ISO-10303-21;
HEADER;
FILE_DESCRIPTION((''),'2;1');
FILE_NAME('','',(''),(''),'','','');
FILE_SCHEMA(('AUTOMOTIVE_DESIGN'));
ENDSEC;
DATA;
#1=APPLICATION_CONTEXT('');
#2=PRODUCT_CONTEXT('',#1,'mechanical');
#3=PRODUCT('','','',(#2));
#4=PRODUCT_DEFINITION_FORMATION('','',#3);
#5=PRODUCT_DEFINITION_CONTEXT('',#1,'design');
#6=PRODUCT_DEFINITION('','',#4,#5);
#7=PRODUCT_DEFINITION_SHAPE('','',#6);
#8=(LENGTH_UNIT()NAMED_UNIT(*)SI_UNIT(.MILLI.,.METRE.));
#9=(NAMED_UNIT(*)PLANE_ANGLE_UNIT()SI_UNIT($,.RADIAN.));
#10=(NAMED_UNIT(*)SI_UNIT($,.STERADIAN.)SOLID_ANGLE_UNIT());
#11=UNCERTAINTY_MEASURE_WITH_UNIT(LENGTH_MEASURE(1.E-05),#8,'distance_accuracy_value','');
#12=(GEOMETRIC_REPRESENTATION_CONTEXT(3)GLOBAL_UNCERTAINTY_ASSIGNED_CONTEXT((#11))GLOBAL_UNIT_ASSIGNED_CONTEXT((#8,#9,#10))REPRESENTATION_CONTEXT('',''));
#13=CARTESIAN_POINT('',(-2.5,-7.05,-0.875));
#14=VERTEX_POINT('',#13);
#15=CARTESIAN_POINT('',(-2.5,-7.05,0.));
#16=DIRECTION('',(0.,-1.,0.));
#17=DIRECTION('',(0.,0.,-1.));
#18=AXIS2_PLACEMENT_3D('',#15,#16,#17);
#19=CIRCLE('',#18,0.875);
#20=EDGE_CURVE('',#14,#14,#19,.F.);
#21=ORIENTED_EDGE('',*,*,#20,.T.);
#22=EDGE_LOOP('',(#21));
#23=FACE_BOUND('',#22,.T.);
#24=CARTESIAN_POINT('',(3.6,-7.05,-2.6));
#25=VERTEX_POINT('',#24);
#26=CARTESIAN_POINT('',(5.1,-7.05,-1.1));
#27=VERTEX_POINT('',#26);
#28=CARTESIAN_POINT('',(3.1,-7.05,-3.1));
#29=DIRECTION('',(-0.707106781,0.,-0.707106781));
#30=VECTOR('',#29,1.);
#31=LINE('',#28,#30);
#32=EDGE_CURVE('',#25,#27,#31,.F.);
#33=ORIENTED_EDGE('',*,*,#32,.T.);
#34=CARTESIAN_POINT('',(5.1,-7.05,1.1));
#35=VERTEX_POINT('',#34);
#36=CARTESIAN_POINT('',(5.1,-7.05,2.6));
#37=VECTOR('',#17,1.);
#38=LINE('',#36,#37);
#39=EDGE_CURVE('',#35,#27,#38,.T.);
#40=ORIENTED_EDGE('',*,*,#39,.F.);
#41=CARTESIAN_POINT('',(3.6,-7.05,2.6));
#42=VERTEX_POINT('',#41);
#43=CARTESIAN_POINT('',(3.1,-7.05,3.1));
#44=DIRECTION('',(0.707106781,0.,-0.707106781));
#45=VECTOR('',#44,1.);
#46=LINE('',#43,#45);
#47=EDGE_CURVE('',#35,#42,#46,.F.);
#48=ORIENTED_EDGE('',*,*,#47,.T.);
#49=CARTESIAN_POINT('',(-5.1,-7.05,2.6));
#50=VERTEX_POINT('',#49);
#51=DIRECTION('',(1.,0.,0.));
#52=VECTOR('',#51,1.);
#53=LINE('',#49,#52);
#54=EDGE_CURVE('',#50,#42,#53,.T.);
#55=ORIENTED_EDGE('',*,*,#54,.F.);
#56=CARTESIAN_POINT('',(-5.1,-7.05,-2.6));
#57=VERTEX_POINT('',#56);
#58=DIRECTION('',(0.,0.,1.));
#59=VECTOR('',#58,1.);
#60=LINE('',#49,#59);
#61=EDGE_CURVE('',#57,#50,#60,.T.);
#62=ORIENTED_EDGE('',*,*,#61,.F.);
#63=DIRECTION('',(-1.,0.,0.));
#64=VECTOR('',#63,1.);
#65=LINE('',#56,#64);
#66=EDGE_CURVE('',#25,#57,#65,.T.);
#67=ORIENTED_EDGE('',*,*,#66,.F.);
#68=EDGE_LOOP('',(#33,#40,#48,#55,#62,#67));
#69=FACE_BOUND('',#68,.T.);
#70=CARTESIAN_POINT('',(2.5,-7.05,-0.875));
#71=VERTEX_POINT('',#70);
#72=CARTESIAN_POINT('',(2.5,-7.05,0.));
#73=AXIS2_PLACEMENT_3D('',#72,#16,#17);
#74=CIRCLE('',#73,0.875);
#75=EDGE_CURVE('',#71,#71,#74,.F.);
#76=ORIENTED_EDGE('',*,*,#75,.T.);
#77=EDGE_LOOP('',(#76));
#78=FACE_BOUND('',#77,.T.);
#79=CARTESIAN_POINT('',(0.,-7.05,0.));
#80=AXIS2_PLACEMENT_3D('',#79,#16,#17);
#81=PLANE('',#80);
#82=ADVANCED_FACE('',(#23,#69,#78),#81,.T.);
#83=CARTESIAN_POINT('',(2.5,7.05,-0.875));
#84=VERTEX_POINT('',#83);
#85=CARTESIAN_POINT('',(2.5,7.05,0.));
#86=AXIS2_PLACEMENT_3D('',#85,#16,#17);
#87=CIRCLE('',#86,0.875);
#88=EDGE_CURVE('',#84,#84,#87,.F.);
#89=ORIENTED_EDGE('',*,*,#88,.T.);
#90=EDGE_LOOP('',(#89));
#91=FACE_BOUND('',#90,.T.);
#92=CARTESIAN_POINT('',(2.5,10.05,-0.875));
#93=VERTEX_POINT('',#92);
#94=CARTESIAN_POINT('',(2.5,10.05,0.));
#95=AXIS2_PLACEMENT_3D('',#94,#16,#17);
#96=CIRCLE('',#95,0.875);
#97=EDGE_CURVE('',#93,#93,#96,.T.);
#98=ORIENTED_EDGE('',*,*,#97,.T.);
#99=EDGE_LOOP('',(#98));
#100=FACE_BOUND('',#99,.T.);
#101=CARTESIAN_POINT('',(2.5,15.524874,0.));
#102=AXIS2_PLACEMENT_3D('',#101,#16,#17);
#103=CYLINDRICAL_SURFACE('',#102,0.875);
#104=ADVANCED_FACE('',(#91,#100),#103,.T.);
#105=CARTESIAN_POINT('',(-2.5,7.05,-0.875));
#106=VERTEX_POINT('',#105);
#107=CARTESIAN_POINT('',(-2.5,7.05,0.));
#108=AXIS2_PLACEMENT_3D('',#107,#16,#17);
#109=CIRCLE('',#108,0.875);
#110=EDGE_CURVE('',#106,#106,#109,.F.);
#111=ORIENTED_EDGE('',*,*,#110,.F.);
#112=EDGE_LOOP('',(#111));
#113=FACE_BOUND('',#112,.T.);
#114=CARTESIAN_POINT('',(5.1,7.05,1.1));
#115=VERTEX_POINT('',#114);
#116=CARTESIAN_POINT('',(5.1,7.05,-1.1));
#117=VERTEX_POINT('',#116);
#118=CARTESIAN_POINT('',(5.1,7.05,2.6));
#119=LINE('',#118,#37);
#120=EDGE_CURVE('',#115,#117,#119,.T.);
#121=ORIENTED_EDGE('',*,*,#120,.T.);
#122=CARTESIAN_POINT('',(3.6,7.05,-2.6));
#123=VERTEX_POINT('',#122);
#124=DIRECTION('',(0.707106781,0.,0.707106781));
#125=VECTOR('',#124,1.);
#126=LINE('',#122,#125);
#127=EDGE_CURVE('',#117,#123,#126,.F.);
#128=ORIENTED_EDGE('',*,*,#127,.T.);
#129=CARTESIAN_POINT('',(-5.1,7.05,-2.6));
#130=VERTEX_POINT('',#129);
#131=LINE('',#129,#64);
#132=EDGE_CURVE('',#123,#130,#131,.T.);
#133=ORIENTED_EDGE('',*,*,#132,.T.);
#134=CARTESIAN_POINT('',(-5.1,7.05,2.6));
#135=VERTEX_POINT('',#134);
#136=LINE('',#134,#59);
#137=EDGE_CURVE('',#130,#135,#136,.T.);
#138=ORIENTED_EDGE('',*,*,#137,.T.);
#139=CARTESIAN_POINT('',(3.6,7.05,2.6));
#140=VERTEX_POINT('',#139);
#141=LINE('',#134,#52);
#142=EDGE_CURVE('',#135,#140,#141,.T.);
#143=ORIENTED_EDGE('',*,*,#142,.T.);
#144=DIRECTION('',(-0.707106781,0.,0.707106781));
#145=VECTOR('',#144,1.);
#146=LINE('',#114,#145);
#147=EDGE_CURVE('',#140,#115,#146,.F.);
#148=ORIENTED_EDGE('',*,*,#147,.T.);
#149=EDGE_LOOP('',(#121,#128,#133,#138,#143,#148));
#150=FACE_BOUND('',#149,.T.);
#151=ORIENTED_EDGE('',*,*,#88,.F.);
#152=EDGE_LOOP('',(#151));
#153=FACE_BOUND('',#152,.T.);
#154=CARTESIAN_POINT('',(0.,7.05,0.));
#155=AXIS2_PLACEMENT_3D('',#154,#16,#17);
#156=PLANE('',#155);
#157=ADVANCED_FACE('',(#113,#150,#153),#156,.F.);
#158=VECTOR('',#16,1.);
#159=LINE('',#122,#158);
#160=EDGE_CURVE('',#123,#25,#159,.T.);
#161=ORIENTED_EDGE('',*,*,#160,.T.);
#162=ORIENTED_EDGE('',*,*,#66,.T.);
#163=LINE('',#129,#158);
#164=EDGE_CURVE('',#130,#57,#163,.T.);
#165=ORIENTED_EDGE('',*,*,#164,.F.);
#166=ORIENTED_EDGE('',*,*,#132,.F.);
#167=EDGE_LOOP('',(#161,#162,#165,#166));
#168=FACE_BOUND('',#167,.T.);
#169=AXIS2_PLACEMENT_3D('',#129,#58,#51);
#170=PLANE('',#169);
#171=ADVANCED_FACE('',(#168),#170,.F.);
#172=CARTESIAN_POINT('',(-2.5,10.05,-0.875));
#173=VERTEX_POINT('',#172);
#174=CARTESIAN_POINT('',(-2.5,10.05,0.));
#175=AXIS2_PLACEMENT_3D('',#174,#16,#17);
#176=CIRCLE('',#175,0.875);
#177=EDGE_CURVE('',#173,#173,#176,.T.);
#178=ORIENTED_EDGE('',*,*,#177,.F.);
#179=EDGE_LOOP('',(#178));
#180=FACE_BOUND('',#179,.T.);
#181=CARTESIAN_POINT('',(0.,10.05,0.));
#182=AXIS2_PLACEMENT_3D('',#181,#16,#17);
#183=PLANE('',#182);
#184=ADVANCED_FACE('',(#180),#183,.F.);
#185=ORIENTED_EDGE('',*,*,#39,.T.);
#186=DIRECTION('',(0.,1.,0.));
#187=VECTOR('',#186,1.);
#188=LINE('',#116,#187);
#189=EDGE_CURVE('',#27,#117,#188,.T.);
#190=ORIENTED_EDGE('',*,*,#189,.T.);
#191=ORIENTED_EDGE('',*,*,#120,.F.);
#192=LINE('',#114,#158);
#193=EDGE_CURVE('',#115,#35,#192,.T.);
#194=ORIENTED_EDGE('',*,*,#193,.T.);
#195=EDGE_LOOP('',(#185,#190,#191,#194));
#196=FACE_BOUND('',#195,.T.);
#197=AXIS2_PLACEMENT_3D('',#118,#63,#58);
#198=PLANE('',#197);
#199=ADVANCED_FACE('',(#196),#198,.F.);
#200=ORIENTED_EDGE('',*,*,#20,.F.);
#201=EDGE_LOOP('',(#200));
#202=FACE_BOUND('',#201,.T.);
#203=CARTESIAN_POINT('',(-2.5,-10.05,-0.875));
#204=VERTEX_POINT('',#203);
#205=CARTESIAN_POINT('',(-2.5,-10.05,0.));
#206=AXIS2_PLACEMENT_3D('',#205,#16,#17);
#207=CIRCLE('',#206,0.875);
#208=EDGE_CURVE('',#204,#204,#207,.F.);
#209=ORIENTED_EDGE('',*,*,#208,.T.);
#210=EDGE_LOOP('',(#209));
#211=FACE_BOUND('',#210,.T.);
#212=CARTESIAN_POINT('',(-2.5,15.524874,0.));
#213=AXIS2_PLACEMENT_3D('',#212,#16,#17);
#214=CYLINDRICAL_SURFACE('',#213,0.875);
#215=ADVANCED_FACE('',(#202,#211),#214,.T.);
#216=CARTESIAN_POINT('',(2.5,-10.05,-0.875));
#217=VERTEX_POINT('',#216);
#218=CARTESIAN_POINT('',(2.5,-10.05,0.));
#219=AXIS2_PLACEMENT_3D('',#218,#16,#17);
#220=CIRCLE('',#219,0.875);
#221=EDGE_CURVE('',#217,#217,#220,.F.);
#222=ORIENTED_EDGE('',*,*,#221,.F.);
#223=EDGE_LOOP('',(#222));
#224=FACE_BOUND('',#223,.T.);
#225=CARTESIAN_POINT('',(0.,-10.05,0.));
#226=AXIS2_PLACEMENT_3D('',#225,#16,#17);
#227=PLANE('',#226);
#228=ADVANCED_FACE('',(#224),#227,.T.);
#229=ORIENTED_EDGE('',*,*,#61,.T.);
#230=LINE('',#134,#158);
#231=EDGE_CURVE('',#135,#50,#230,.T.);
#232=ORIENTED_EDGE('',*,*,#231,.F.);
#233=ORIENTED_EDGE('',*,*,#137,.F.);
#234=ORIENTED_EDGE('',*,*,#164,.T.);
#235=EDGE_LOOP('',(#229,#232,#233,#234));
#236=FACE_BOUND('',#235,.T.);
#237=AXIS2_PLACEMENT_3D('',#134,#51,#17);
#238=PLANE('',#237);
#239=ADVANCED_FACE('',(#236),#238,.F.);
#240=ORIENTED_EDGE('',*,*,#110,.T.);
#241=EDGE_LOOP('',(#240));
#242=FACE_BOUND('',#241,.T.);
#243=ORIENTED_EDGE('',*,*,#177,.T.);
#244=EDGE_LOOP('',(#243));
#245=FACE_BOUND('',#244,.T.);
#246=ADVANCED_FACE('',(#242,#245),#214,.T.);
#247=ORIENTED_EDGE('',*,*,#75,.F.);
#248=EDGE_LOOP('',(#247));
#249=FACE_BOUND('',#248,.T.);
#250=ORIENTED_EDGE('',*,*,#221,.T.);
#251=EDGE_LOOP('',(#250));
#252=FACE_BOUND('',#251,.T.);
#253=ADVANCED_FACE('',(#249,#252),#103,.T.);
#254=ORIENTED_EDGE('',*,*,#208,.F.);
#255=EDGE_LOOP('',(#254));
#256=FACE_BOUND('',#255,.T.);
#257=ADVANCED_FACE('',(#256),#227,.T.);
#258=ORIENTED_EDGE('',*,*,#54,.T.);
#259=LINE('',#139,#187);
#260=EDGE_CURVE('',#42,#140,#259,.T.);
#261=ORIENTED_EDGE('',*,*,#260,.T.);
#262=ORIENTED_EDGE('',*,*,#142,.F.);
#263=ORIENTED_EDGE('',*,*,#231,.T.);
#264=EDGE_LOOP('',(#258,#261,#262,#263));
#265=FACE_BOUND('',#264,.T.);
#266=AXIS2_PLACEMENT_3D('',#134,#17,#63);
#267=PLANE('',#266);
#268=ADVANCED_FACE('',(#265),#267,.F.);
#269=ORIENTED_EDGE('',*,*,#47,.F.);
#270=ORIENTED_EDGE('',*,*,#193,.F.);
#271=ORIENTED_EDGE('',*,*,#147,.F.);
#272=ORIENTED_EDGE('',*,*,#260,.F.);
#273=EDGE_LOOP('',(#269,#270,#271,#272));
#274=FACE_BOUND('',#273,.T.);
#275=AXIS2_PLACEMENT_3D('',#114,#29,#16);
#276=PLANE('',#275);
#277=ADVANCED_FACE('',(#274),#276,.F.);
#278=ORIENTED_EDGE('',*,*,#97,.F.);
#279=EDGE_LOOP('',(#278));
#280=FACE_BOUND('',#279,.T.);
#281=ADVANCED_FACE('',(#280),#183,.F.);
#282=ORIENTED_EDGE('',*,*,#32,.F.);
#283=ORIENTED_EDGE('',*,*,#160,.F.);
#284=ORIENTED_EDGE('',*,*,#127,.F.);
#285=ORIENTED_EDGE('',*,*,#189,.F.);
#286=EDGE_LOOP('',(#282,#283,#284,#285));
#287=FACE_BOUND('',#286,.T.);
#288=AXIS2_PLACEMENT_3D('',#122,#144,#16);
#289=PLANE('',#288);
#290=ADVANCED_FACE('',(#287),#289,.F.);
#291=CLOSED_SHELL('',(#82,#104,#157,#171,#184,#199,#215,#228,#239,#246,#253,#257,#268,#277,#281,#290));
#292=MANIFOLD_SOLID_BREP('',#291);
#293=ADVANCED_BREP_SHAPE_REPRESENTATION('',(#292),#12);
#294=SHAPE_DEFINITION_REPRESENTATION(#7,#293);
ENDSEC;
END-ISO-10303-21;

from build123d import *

# Parameters (mm, degrees)
SKETCH1_W                = 10.2
SKETCH1_H                = 5.2
BOSS_EXTRUDE1_DEPTH      = 7.05
CHAMFER1_SIZE            = 1.5
BOSS_EXTRUDE2_DEPTH      = 10.05
BOSS_EXTRUDE2_DEPTH_BACK = 10.05
SKETCH2_R                = 0.875


with BuildPart() as part:
    # Sketch1 → Boss-Extrude1 (new, symmetric)
    with BuildSketch(Plane(origin=(0, 0, 0), x_dir=(1, 0, 0), z_dir=(0, 1, 0))):
        Rectangle(SKETCH1_W, SKETCH1_H)
    extrude(amount=BOSS_EXTRUDE1_DEPTH, both=True)

    # Chamfer1
    chamfer1_edges = [part.edges().sort_by_distance(p)[0] for p in [
        (5.1, 0, 2.6),
        (5.1, 0, -2.6),
    ]]
    chamfer(chamfer1_edges, length=CHAMFER1_SIZE)

    # Sketch2 → Boss-Extrude2 (add, two sides: drawn at the far end of the back side and taken through both)
    with BuildSketch(Plane(origin=(0, 0, 0), x_dir=(1, 0, 0), z_dir=(0, 1, 0)).offset(-BOSS_EXTRUDE2_DEPTH_BACK)):
        with Locations(Location((-2.5, 0, 0), (0, 0, 90))):
            Circle(SKETCH2_R)
        with Locations(Location((2.5, 0, 0), (0, 0, 90))):
            Circle(SKETCH2_R)
    extrude(amount=BOSS_EXTRUDE2_DEPTH + BOSS_EXTRUDE2_DEPTH_BACK)


solid = part.part
